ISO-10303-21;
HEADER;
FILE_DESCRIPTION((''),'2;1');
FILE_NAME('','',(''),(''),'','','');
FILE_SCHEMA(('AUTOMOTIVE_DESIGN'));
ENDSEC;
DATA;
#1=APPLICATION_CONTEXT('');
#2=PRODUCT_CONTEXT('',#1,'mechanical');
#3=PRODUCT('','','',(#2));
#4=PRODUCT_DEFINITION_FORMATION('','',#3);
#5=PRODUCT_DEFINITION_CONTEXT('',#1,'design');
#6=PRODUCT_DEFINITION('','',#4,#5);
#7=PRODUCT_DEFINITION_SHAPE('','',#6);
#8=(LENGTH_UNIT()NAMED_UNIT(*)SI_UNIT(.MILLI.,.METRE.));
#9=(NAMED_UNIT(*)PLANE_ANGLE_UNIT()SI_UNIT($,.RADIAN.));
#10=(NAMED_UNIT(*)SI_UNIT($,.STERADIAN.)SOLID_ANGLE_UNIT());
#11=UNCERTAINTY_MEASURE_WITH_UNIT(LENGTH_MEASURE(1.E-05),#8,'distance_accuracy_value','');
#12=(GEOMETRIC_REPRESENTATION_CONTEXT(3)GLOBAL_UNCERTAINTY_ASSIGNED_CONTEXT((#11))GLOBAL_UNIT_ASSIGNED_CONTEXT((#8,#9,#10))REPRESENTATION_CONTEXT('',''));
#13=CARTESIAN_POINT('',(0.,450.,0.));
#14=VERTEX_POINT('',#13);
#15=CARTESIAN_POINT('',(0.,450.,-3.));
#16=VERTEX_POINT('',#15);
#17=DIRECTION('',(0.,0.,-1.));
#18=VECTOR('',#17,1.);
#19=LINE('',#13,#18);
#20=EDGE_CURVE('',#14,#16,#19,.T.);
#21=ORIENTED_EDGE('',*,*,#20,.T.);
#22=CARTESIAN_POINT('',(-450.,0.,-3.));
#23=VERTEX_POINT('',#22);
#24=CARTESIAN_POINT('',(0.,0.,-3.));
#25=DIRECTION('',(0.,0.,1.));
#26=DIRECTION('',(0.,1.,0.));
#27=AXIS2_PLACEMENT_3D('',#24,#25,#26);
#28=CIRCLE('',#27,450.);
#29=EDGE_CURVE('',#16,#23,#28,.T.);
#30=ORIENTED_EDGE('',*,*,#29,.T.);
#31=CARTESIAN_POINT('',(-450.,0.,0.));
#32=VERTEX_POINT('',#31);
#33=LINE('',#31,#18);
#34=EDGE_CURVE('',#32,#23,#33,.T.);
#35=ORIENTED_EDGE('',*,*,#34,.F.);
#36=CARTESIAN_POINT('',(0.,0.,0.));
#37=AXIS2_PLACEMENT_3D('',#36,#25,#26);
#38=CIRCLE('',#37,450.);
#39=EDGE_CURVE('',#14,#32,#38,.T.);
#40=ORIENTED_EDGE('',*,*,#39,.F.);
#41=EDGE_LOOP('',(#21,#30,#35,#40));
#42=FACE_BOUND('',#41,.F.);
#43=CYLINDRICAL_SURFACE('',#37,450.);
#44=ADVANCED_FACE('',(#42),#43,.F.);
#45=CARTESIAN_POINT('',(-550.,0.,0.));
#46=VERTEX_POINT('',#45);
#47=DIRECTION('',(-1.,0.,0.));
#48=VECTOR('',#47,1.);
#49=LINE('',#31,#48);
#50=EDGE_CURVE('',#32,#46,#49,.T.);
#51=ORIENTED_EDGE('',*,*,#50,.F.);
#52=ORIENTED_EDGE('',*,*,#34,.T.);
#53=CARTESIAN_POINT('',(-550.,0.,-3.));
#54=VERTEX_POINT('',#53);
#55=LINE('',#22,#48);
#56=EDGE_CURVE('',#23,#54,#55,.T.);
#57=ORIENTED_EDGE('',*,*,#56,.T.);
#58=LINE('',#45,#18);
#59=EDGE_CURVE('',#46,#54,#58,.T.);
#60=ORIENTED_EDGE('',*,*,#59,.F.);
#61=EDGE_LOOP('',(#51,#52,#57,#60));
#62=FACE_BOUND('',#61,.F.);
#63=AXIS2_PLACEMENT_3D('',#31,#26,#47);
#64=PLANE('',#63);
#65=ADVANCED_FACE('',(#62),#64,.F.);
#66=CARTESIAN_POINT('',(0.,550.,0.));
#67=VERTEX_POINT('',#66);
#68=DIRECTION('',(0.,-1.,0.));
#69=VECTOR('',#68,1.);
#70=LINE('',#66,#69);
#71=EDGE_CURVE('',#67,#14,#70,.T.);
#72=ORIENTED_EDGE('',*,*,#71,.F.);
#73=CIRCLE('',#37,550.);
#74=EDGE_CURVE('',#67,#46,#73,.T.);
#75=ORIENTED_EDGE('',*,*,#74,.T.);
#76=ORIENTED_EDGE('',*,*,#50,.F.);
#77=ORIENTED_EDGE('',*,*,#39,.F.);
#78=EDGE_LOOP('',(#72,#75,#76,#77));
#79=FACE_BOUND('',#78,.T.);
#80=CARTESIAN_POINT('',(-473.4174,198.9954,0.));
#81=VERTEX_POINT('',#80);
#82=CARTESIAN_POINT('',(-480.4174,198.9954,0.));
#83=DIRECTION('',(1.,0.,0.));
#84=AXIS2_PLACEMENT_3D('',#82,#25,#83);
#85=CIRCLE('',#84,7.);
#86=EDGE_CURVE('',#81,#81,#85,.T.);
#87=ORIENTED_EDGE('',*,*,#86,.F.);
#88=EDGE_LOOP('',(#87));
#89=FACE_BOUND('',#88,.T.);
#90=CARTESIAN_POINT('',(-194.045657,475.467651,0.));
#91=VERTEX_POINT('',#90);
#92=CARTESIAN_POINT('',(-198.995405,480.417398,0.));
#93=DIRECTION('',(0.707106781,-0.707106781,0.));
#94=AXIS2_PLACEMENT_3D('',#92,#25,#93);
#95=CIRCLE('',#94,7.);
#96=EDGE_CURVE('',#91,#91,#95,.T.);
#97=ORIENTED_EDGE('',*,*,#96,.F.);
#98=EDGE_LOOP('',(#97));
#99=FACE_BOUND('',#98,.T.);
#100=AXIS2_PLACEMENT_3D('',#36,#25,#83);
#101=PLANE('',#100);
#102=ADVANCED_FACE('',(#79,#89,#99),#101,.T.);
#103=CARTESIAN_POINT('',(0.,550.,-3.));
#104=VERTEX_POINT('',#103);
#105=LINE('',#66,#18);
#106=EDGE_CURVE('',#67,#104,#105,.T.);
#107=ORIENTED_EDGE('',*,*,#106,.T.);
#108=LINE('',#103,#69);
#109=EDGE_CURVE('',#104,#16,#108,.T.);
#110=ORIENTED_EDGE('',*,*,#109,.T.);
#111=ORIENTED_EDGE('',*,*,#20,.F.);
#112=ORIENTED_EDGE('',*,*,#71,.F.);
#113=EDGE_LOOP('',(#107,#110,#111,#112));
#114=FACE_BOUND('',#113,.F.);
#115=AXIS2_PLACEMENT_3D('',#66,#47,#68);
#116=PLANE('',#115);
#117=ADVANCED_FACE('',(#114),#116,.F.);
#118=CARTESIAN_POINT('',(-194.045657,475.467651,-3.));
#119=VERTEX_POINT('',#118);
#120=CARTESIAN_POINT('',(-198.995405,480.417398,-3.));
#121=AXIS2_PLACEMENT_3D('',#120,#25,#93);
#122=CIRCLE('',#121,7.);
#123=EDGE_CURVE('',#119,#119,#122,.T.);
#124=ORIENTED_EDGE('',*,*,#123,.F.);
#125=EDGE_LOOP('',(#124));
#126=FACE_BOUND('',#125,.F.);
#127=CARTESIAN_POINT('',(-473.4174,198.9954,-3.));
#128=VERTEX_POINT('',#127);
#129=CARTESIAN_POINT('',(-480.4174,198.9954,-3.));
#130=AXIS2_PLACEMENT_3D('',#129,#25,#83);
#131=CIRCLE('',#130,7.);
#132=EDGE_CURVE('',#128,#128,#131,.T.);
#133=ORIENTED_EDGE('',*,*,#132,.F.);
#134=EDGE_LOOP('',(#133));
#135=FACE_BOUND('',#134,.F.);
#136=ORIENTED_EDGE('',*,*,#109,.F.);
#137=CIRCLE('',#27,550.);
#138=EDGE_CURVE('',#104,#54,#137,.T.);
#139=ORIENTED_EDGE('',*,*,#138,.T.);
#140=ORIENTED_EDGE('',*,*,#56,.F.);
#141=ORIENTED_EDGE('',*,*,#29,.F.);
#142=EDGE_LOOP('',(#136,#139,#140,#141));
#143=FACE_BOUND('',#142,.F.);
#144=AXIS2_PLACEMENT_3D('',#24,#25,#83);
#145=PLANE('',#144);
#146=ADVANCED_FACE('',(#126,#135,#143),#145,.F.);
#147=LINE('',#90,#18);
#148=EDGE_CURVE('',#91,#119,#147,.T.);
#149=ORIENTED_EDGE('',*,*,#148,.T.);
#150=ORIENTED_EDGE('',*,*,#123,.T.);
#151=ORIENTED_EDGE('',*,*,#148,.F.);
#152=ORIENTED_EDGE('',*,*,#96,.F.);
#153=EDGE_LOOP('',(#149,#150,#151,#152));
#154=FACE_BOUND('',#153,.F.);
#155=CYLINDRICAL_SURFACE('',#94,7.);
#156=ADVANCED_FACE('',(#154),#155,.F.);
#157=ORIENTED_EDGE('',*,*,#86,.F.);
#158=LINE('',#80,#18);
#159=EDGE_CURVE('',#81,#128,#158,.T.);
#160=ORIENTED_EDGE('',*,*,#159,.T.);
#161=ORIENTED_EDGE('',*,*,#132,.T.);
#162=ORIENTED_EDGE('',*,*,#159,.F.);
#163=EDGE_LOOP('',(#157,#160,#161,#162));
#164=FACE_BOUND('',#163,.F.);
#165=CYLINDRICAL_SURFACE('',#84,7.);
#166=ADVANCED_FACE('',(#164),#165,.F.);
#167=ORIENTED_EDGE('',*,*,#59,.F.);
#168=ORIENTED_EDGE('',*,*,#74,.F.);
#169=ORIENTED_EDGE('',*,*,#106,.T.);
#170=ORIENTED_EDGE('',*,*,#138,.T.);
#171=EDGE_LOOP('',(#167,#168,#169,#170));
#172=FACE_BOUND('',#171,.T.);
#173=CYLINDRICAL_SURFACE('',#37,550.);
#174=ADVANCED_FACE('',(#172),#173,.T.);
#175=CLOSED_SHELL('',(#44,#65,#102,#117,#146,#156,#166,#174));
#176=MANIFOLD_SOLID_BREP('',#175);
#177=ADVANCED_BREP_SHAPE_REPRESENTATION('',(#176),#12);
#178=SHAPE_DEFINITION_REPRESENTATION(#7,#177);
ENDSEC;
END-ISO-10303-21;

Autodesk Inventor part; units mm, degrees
ref_plane "YZ Plane" through (0, 0, 0) normal (1, 0, 0) x (0, 1, 0)
ref_plane "XZ Plane" through (0, 0, 0) normal (0, 1, 0) x (-1, 0, 0)
ref_plane "XY Plane" through (0, 0, 0) normal (0, 0, 1) x (1, 0, 0)
sketch "Sketch1" plane through (0, 0, 0) normal (0, 0, 1) x (1, 0, 0)
  arc A0 (0, 550) -> (-550, 0) centre (0, 0) ccw
  arc A1 (0, 450) -> (-450, 0) centre (0, 0) ccw
  line L0 (0, 550) -> (0, 450)
  line L1 (-450, 0) -> (-550, 0)
  point P0 (-500, 0)
  point P1 (0, 500)
  dimension "d0" = 1100
  dimension "d1" = 900
extrude "Plate1" add sketch "Sketch1" against normal blind 3
sketch "Sketch2" plane through (0, 0, 0) normal (0, 0, 1) x (1, 0, 0)
  line L0 (-550, 0) -> (-450, 0) projected
  arc A0 (0, 550) -> (-550, 0) centre (0, 0) ccw construction
  circle A1 centre (-480.4174, 198.9954) radius 7
  arc A2 (0, 450) -> (-450, 0) centre (0, 0) ccw construction
  circle A3 centre (0, 0) radius 520 construction
  line L1 (-480.4174, 198.9954) -> (0, 0) construction
  dimension "d11" = 1040
  dimension "d4" = 14
  dimension "d12" = 22.5
extrude "Cut1" cut sketch "Sketch2" against normal through all
pattern_circular "Circular Pattern1" count 2 over 45 about axis through (0, 0, 0) along (0, 0, -1) of "Cut1"
equation "\"d0\" = Диаметр_вн"
equation "\"d1\" = d0 - 2 * Ширина_кольца"
equation "\"d4\" = Диаметр_отв"
equation "\"d6\" = Thickness"
equation "\"d2\" = Thickness"
equation "\"BendReliefWidth\" = Thickness"
equation "\"BendReliefDepth\" = 0.5 * Thickness"
equation "\"CornerReliefSize\" = 4 * Thickness"
equation "\"MinimumRemnant\" = 2 * Thickness"
equation "\"TransitionRadius\" = BendRadius"
equation "\"JacobiRadiusSize\" = BendRadius"
equation "\"GapSize\" = Thickness"
equation "\"Диаметр_вн\" = 1100"
equation "\"Ширина_кольца\" = 100"
equation "\"Диаметр_отв\" = 14"
equation "\"Thickness\" = 3"
equation "\"BendRadius\" = 5"
properties part number "BSH 501 segment" material "Stainless Steel"
